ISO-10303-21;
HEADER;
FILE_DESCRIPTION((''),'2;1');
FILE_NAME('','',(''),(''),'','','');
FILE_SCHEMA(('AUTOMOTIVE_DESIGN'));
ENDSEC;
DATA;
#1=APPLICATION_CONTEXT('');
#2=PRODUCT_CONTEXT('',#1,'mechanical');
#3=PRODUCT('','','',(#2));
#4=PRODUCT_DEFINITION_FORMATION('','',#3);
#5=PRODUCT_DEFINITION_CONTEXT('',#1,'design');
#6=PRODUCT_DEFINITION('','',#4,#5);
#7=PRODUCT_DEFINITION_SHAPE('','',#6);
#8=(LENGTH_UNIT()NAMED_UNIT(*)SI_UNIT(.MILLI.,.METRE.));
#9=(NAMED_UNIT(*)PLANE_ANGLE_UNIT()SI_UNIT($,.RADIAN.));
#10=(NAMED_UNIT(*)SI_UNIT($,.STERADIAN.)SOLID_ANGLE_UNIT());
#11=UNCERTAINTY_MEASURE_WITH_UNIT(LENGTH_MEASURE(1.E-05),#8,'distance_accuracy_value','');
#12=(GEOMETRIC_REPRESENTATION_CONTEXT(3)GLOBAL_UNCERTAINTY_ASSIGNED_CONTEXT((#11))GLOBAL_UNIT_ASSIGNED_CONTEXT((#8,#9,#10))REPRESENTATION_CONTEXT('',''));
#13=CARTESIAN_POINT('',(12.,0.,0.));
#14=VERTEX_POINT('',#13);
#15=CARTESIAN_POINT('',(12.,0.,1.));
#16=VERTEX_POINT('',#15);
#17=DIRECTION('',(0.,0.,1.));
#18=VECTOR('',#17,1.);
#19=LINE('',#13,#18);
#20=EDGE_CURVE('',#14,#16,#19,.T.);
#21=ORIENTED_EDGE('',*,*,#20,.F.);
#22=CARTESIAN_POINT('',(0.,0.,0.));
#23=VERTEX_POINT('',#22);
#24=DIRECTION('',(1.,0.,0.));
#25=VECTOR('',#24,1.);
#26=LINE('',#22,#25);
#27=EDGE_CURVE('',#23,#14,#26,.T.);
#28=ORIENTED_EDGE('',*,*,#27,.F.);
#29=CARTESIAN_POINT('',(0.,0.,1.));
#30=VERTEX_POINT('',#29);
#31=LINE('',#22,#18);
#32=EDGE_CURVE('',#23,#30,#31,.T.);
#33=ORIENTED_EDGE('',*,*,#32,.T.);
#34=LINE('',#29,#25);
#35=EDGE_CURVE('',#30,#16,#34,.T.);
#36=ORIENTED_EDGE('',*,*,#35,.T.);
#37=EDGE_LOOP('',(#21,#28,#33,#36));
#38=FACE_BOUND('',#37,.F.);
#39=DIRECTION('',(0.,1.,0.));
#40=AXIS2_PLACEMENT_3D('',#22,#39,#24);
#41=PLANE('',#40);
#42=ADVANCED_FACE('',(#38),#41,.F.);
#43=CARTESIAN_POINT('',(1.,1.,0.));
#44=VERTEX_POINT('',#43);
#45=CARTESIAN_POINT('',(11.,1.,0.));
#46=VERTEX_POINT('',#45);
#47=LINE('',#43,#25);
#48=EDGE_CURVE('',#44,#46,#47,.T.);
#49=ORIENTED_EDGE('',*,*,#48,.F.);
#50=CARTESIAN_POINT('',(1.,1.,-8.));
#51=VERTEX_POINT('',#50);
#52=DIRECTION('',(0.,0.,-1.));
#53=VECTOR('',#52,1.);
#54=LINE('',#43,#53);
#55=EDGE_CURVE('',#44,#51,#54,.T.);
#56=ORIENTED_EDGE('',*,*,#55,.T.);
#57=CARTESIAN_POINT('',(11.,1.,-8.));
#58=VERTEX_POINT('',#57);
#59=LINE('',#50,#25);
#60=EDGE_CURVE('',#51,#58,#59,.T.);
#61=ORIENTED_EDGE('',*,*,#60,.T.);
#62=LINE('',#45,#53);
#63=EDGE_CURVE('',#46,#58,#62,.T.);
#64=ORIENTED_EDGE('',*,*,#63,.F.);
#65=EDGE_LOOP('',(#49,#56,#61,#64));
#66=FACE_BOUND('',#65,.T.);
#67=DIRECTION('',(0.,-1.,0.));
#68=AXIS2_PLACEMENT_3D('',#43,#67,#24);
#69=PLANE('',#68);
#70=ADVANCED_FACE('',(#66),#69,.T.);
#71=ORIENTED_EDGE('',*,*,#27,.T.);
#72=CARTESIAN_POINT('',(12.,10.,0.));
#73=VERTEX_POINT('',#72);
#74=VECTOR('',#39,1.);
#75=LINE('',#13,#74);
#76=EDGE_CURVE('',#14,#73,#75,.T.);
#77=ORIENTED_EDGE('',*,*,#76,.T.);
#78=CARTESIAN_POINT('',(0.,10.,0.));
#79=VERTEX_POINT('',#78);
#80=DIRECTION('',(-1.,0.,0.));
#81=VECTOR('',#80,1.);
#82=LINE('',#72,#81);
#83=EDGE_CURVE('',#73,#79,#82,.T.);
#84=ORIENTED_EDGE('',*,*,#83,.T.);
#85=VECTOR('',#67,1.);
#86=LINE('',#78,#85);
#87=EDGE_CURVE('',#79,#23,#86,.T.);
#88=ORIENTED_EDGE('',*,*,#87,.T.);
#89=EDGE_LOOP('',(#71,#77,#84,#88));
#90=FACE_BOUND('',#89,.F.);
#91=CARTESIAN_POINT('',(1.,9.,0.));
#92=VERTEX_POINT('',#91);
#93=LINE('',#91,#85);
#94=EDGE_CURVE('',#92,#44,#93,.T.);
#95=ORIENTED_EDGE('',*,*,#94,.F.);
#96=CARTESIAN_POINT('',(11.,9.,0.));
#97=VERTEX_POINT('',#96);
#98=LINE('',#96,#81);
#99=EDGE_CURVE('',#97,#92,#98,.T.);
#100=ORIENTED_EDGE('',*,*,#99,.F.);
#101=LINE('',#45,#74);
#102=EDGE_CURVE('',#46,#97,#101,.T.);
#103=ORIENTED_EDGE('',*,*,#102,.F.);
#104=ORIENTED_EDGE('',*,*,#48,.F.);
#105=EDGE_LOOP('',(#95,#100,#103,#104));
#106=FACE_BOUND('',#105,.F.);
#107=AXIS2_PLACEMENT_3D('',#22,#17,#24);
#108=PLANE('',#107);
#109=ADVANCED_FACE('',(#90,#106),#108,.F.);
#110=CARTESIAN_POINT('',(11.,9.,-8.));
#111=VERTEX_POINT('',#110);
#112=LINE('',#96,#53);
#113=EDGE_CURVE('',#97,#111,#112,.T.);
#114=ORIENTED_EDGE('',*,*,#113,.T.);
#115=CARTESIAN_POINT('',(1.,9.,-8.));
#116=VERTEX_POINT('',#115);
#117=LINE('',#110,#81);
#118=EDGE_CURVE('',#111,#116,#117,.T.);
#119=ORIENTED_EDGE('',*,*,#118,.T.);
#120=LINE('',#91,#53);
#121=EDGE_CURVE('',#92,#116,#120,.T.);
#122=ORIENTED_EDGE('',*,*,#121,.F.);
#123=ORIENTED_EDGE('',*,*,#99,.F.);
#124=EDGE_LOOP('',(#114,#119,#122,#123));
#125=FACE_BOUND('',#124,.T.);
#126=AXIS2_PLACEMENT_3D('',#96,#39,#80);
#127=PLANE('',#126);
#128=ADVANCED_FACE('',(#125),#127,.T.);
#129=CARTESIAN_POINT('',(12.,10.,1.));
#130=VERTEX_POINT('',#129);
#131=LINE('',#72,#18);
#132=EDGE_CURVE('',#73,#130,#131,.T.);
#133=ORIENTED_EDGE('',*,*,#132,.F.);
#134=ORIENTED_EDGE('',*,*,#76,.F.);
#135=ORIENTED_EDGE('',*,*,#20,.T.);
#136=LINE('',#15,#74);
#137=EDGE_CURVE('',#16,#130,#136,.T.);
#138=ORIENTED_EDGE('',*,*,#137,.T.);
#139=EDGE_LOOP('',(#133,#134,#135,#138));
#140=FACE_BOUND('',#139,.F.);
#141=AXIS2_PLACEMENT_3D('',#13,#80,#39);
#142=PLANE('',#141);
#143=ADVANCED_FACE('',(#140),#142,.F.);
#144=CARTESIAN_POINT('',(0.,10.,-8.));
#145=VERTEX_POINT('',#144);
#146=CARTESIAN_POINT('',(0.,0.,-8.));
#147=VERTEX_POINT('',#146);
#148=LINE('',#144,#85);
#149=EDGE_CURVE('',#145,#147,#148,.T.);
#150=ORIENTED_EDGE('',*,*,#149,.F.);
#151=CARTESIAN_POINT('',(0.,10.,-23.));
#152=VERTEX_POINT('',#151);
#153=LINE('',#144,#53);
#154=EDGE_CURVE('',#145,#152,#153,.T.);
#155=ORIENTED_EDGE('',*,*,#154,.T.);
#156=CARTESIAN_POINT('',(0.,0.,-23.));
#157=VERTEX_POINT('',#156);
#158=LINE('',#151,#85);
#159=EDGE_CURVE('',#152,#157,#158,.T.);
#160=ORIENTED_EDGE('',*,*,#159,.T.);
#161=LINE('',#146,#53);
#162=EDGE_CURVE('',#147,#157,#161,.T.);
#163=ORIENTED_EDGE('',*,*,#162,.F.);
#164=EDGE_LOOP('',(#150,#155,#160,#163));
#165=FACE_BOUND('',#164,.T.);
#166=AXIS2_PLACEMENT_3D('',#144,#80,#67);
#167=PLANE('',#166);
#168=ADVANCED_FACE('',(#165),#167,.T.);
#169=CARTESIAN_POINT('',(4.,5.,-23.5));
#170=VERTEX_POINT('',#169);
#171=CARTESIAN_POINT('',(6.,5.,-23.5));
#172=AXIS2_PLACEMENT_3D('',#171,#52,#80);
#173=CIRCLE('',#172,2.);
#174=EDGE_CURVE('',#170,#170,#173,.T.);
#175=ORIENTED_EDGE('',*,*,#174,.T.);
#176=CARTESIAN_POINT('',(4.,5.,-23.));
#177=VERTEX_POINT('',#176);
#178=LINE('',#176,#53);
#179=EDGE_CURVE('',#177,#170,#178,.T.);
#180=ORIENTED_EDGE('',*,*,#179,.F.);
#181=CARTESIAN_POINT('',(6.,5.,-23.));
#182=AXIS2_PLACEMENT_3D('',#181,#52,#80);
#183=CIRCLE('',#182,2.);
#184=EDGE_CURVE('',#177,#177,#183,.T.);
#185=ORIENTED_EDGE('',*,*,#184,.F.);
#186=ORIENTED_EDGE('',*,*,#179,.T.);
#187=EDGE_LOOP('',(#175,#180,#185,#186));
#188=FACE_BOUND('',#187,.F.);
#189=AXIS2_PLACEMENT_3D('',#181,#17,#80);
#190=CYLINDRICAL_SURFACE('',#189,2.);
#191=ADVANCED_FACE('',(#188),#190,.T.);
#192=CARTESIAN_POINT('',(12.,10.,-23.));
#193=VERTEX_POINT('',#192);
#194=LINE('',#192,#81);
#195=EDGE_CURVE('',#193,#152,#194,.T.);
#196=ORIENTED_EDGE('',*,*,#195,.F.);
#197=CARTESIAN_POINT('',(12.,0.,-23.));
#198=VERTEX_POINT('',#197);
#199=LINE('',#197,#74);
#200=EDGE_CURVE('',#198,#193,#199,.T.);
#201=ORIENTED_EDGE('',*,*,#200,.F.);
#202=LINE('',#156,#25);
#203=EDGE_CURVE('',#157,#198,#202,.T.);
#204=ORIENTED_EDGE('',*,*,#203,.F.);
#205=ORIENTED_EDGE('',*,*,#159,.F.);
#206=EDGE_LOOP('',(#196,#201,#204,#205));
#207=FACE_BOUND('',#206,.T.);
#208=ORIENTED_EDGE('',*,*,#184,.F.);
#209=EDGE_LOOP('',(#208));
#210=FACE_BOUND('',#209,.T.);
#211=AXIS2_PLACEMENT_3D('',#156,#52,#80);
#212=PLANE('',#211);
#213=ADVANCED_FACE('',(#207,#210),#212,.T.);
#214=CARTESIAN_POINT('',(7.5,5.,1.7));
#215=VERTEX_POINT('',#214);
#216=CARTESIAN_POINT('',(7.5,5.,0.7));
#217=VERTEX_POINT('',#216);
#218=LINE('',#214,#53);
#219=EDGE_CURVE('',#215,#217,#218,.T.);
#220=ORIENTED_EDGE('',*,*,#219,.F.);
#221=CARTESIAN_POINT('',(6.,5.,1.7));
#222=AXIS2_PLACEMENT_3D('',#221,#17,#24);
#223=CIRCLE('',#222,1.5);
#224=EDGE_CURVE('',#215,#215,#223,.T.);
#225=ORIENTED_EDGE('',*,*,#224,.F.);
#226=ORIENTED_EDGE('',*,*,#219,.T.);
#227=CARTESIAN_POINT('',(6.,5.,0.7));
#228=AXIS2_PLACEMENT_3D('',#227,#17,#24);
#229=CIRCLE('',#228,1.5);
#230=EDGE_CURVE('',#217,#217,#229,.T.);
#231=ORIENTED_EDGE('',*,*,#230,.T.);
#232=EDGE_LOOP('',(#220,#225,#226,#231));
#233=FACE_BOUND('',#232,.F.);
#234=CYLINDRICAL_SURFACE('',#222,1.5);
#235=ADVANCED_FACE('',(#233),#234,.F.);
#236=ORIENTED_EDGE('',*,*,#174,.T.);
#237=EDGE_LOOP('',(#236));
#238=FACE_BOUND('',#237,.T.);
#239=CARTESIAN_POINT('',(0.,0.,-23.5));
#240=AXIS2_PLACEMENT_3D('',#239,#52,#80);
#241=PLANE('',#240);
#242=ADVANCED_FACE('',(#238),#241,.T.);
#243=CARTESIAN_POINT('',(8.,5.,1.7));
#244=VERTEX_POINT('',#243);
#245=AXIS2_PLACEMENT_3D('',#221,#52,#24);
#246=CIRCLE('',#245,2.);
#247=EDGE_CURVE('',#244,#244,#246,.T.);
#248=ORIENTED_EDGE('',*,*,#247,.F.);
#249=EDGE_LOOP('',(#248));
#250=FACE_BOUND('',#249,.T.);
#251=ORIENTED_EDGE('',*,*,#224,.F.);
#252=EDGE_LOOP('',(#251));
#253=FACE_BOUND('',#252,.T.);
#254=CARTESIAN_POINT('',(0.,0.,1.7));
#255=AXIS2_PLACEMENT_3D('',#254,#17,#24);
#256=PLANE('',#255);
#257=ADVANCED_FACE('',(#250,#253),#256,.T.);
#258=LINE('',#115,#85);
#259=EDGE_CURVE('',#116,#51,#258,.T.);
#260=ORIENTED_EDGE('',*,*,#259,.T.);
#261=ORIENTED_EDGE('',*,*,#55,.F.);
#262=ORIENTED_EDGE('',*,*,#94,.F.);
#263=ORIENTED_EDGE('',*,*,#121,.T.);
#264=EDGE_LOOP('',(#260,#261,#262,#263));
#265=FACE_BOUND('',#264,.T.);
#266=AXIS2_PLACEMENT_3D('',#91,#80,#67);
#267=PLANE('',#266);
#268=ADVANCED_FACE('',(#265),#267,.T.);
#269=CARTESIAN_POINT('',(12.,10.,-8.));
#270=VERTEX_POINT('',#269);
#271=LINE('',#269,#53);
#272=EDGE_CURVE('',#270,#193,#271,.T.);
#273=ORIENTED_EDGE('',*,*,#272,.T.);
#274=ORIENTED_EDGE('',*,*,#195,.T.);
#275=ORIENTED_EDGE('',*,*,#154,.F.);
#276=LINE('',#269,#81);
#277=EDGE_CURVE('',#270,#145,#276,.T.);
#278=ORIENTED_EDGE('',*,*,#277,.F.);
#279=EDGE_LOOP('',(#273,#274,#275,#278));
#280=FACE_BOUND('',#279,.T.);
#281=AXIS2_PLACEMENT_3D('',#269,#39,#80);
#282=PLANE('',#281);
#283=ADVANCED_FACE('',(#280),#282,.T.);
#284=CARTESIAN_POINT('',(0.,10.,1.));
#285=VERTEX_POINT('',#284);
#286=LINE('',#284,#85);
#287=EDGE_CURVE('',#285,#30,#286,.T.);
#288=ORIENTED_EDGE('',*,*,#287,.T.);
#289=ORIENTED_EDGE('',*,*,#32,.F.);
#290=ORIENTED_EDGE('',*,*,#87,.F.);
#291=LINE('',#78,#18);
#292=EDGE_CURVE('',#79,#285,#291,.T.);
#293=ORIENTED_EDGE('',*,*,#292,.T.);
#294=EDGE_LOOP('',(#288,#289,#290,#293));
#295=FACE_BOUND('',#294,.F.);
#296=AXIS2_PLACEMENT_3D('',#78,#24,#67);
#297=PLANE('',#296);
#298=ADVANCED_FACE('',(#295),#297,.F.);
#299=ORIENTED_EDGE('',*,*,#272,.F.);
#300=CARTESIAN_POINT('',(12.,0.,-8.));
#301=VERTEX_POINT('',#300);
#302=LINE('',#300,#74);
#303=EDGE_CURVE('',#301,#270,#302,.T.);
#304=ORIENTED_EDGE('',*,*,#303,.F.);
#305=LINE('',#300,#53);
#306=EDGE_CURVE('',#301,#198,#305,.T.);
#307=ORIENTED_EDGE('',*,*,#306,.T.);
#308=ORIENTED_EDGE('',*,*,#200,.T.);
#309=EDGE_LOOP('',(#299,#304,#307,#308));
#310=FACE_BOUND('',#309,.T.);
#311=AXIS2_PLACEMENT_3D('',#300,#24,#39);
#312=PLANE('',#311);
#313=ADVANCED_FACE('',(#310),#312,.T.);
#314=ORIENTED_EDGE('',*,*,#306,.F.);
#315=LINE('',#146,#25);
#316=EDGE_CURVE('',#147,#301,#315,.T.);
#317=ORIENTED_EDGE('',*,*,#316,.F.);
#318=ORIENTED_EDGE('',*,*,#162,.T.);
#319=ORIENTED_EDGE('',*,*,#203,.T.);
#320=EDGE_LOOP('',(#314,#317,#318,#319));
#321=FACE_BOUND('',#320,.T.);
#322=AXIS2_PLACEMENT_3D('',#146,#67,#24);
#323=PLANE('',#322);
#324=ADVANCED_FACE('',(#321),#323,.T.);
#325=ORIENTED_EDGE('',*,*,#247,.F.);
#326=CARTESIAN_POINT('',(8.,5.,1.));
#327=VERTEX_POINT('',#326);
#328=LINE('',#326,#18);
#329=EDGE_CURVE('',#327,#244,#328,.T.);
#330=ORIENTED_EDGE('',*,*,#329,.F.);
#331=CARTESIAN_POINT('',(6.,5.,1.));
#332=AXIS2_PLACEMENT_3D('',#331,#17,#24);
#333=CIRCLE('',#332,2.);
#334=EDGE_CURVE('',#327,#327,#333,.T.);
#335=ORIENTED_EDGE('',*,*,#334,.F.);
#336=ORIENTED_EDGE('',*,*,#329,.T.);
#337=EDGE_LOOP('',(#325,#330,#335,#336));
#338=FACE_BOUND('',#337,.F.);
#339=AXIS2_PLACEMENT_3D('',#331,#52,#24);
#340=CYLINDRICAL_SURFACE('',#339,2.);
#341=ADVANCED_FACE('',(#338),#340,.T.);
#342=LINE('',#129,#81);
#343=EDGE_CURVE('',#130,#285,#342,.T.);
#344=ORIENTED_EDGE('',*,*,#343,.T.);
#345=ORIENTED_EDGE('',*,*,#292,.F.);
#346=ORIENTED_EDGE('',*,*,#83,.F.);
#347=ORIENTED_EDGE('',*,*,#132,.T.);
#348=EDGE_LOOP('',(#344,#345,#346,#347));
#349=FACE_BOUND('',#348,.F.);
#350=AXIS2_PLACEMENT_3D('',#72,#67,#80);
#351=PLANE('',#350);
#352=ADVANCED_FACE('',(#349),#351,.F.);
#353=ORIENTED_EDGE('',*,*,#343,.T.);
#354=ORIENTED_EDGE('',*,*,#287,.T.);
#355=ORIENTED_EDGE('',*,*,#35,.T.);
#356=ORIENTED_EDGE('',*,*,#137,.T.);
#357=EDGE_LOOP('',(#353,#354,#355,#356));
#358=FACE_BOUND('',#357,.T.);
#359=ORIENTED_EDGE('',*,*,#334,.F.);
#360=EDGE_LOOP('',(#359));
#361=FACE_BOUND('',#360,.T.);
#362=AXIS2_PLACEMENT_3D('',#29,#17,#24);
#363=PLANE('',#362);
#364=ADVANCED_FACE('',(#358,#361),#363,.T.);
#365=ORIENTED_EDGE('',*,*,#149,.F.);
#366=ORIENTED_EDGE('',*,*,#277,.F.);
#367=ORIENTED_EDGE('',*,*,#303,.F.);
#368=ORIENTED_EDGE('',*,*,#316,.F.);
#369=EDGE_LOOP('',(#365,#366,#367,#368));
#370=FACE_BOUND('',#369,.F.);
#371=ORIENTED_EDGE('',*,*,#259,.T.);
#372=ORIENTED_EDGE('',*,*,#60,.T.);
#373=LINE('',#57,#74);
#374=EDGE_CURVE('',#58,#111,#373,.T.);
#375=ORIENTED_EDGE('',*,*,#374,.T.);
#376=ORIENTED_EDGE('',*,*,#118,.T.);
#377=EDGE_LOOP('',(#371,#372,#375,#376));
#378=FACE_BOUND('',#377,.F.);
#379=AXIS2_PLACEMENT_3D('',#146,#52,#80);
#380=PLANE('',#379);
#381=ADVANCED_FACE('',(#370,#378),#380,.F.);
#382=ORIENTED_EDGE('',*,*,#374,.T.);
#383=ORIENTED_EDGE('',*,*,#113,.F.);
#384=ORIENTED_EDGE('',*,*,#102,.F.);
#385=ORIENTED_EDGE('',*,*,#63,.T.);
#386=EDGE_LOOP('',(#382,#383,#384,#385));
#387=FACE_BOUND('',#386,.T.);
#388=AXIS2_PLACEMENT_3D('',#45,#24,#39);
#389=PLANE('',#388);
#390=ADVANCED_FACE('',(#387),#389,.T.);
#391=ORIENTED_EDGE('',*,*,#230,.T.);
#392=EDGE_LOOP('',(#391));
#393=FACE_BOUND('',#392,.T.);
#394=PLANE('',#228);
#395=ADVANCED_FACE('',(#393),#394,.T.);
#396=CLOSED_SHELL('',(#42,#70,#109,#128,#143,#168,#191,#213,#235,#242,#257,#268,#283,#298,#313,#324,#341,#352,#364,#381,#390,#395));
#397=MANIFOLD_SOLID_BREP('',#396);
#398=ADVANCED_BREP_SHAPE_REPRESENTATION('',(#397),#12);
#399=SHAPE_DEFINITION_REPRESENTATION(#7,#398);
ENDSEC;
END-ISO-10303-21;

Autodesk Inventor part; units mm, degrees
ref_plane "YZ Plane" through (0, 0, 0) normal (1, 0, 0) x (0, 1, 0)
ref_plane "XZ Plane" through (0, 0, 0) normal (0, 1, 0) x (-1, 0, 0)
ref_plane "XY Plane" through (0, 0, 0) normal (0, 0, 1) x (1, 0, 0)
sketch "Эскиз2" plane through (0, 0, 0) normal (0, 0, 1) x (1, 0, 0)
  line L0 (0, 0) -> (12, 0)
  line L1 (12, 0) -> (12, 10)
  line L2 (12, 10) -> (0, 10)
  line L3 (0, 10) -> (0, 0)
  line L4 (-15.2128, 15.4518) -> (-15.9082, 15.4518)
  line L5 (-15.9082, 15.4518) -> (-15.9082, 15.4083)
  line L6 (-15.9082, 15.4083) -> (-15.2128, 15.4083)
  line L7 (-15.2128, 15.4083) -> (-15.2128, 15.4518)
  dimension "d0" = 12
  dimension "d1" = 10
extrude "Выдавливание1" add sketch "Эскиз2" along normal blind 1 contours L3 L2 L1 L0
sketch "Эскиз3" plane through (0, 0, 1) normal (0, 0, 1) x (1, 0, 0)
  line L0 (0, 10) -> (0, 0) projected
  line L1 (0, 5) -> (12, 5)
  line L2 (12, 0) -> (12, 10) projected
  circle A0 centre (6, 5) radius 2
  dimension "d4" = 4
extrude "Выдавливание2" add sketch "Эскиз3" along normal blind 0.7
sketch "Эскиз5" plane through (0, 0, 0) normal (0, 0, -1) x (-1, 0, 0)
  line L0 (-12, 10) -> (0, 10) projected
  line L1 (0, 10) -> (0, 0) projected
  line L2 (-12, 10) -> (0, 10)
  line L3 (0, 10) -> (0, 0)
  line L4 (0, 0) -> (-12, 0)
  line L5 (-12, 0) -> (-12, 10)
  line L6 (-12, 10) -> (-11, 10)
  line L7 (-11, 10) -> (-11, 9)
  line L8 (-11, 9) -> (-1, 9)
  line L9 (-1, 9) -> (-1, 1)
  line L10 (-1, 1) -> (-11, 1)
  line L11 (-11, 1) -> (-11, 9)
  dimension "d22" = 1
  dimension "d23" = 1
  dimension "d24" = 10
  dimension "d25" = 8
  dimension "d26" = 12
  dimension "d27" = 10
extrude "Выдавливание4" add sketch "Эскиз5" along normal blind 8 contours L8 L9 L10 L11
sketch "Эскиз6" plane through (0, 0, -8) normal (0, 0, -1) x (-1, 0, 0)
  line L0 (-12, 10) -> (0, 10) projected
  line L1 (0, 10) -> (0, 0) projected
  line L2 (-12, 10) -> (0, 10)
  line L3 (0, 10) -> (0, 0)
  line L4 (0, 0) -> (-12, 0)
  line L5 (-12, 0) -> (-12, 10)
extrude "Выдавливание5" add sketch "Эскиз6" along normal blind 15
sketch "Эскиз11" plane through (6, 5, 1.7) normal (0, 0, 1) x (1, 0, 0)
  circle A0 centre (0, 0) radius 1.5
  point P0 (-6, -5)
  dimension "d32" = 3
extrude "Выдавливание9" cut sketch "Эскиз11" against normal blind 1
sketch "Эскиз8" plane through (0, 0, -23) normal (0, 0, -1) x (-1, 0, 0)
  circle A0 centre (-6, 5) radius 2 projected
  circle A1 centre (-6, 5) radius 2.5
  point P0 (0, 0)
  dimension "d15" = 5
extrude "Выдавливание6" add sketch "Эскиз8" along normal blind 0.5 contours A0
equation "\"d22\" = -0.5 * d24 + 0.5 * d26"
equation "\"d23\" = -0.5 * d25 + 0.5 * d27"
properties part number "Micro Gearmotors"
